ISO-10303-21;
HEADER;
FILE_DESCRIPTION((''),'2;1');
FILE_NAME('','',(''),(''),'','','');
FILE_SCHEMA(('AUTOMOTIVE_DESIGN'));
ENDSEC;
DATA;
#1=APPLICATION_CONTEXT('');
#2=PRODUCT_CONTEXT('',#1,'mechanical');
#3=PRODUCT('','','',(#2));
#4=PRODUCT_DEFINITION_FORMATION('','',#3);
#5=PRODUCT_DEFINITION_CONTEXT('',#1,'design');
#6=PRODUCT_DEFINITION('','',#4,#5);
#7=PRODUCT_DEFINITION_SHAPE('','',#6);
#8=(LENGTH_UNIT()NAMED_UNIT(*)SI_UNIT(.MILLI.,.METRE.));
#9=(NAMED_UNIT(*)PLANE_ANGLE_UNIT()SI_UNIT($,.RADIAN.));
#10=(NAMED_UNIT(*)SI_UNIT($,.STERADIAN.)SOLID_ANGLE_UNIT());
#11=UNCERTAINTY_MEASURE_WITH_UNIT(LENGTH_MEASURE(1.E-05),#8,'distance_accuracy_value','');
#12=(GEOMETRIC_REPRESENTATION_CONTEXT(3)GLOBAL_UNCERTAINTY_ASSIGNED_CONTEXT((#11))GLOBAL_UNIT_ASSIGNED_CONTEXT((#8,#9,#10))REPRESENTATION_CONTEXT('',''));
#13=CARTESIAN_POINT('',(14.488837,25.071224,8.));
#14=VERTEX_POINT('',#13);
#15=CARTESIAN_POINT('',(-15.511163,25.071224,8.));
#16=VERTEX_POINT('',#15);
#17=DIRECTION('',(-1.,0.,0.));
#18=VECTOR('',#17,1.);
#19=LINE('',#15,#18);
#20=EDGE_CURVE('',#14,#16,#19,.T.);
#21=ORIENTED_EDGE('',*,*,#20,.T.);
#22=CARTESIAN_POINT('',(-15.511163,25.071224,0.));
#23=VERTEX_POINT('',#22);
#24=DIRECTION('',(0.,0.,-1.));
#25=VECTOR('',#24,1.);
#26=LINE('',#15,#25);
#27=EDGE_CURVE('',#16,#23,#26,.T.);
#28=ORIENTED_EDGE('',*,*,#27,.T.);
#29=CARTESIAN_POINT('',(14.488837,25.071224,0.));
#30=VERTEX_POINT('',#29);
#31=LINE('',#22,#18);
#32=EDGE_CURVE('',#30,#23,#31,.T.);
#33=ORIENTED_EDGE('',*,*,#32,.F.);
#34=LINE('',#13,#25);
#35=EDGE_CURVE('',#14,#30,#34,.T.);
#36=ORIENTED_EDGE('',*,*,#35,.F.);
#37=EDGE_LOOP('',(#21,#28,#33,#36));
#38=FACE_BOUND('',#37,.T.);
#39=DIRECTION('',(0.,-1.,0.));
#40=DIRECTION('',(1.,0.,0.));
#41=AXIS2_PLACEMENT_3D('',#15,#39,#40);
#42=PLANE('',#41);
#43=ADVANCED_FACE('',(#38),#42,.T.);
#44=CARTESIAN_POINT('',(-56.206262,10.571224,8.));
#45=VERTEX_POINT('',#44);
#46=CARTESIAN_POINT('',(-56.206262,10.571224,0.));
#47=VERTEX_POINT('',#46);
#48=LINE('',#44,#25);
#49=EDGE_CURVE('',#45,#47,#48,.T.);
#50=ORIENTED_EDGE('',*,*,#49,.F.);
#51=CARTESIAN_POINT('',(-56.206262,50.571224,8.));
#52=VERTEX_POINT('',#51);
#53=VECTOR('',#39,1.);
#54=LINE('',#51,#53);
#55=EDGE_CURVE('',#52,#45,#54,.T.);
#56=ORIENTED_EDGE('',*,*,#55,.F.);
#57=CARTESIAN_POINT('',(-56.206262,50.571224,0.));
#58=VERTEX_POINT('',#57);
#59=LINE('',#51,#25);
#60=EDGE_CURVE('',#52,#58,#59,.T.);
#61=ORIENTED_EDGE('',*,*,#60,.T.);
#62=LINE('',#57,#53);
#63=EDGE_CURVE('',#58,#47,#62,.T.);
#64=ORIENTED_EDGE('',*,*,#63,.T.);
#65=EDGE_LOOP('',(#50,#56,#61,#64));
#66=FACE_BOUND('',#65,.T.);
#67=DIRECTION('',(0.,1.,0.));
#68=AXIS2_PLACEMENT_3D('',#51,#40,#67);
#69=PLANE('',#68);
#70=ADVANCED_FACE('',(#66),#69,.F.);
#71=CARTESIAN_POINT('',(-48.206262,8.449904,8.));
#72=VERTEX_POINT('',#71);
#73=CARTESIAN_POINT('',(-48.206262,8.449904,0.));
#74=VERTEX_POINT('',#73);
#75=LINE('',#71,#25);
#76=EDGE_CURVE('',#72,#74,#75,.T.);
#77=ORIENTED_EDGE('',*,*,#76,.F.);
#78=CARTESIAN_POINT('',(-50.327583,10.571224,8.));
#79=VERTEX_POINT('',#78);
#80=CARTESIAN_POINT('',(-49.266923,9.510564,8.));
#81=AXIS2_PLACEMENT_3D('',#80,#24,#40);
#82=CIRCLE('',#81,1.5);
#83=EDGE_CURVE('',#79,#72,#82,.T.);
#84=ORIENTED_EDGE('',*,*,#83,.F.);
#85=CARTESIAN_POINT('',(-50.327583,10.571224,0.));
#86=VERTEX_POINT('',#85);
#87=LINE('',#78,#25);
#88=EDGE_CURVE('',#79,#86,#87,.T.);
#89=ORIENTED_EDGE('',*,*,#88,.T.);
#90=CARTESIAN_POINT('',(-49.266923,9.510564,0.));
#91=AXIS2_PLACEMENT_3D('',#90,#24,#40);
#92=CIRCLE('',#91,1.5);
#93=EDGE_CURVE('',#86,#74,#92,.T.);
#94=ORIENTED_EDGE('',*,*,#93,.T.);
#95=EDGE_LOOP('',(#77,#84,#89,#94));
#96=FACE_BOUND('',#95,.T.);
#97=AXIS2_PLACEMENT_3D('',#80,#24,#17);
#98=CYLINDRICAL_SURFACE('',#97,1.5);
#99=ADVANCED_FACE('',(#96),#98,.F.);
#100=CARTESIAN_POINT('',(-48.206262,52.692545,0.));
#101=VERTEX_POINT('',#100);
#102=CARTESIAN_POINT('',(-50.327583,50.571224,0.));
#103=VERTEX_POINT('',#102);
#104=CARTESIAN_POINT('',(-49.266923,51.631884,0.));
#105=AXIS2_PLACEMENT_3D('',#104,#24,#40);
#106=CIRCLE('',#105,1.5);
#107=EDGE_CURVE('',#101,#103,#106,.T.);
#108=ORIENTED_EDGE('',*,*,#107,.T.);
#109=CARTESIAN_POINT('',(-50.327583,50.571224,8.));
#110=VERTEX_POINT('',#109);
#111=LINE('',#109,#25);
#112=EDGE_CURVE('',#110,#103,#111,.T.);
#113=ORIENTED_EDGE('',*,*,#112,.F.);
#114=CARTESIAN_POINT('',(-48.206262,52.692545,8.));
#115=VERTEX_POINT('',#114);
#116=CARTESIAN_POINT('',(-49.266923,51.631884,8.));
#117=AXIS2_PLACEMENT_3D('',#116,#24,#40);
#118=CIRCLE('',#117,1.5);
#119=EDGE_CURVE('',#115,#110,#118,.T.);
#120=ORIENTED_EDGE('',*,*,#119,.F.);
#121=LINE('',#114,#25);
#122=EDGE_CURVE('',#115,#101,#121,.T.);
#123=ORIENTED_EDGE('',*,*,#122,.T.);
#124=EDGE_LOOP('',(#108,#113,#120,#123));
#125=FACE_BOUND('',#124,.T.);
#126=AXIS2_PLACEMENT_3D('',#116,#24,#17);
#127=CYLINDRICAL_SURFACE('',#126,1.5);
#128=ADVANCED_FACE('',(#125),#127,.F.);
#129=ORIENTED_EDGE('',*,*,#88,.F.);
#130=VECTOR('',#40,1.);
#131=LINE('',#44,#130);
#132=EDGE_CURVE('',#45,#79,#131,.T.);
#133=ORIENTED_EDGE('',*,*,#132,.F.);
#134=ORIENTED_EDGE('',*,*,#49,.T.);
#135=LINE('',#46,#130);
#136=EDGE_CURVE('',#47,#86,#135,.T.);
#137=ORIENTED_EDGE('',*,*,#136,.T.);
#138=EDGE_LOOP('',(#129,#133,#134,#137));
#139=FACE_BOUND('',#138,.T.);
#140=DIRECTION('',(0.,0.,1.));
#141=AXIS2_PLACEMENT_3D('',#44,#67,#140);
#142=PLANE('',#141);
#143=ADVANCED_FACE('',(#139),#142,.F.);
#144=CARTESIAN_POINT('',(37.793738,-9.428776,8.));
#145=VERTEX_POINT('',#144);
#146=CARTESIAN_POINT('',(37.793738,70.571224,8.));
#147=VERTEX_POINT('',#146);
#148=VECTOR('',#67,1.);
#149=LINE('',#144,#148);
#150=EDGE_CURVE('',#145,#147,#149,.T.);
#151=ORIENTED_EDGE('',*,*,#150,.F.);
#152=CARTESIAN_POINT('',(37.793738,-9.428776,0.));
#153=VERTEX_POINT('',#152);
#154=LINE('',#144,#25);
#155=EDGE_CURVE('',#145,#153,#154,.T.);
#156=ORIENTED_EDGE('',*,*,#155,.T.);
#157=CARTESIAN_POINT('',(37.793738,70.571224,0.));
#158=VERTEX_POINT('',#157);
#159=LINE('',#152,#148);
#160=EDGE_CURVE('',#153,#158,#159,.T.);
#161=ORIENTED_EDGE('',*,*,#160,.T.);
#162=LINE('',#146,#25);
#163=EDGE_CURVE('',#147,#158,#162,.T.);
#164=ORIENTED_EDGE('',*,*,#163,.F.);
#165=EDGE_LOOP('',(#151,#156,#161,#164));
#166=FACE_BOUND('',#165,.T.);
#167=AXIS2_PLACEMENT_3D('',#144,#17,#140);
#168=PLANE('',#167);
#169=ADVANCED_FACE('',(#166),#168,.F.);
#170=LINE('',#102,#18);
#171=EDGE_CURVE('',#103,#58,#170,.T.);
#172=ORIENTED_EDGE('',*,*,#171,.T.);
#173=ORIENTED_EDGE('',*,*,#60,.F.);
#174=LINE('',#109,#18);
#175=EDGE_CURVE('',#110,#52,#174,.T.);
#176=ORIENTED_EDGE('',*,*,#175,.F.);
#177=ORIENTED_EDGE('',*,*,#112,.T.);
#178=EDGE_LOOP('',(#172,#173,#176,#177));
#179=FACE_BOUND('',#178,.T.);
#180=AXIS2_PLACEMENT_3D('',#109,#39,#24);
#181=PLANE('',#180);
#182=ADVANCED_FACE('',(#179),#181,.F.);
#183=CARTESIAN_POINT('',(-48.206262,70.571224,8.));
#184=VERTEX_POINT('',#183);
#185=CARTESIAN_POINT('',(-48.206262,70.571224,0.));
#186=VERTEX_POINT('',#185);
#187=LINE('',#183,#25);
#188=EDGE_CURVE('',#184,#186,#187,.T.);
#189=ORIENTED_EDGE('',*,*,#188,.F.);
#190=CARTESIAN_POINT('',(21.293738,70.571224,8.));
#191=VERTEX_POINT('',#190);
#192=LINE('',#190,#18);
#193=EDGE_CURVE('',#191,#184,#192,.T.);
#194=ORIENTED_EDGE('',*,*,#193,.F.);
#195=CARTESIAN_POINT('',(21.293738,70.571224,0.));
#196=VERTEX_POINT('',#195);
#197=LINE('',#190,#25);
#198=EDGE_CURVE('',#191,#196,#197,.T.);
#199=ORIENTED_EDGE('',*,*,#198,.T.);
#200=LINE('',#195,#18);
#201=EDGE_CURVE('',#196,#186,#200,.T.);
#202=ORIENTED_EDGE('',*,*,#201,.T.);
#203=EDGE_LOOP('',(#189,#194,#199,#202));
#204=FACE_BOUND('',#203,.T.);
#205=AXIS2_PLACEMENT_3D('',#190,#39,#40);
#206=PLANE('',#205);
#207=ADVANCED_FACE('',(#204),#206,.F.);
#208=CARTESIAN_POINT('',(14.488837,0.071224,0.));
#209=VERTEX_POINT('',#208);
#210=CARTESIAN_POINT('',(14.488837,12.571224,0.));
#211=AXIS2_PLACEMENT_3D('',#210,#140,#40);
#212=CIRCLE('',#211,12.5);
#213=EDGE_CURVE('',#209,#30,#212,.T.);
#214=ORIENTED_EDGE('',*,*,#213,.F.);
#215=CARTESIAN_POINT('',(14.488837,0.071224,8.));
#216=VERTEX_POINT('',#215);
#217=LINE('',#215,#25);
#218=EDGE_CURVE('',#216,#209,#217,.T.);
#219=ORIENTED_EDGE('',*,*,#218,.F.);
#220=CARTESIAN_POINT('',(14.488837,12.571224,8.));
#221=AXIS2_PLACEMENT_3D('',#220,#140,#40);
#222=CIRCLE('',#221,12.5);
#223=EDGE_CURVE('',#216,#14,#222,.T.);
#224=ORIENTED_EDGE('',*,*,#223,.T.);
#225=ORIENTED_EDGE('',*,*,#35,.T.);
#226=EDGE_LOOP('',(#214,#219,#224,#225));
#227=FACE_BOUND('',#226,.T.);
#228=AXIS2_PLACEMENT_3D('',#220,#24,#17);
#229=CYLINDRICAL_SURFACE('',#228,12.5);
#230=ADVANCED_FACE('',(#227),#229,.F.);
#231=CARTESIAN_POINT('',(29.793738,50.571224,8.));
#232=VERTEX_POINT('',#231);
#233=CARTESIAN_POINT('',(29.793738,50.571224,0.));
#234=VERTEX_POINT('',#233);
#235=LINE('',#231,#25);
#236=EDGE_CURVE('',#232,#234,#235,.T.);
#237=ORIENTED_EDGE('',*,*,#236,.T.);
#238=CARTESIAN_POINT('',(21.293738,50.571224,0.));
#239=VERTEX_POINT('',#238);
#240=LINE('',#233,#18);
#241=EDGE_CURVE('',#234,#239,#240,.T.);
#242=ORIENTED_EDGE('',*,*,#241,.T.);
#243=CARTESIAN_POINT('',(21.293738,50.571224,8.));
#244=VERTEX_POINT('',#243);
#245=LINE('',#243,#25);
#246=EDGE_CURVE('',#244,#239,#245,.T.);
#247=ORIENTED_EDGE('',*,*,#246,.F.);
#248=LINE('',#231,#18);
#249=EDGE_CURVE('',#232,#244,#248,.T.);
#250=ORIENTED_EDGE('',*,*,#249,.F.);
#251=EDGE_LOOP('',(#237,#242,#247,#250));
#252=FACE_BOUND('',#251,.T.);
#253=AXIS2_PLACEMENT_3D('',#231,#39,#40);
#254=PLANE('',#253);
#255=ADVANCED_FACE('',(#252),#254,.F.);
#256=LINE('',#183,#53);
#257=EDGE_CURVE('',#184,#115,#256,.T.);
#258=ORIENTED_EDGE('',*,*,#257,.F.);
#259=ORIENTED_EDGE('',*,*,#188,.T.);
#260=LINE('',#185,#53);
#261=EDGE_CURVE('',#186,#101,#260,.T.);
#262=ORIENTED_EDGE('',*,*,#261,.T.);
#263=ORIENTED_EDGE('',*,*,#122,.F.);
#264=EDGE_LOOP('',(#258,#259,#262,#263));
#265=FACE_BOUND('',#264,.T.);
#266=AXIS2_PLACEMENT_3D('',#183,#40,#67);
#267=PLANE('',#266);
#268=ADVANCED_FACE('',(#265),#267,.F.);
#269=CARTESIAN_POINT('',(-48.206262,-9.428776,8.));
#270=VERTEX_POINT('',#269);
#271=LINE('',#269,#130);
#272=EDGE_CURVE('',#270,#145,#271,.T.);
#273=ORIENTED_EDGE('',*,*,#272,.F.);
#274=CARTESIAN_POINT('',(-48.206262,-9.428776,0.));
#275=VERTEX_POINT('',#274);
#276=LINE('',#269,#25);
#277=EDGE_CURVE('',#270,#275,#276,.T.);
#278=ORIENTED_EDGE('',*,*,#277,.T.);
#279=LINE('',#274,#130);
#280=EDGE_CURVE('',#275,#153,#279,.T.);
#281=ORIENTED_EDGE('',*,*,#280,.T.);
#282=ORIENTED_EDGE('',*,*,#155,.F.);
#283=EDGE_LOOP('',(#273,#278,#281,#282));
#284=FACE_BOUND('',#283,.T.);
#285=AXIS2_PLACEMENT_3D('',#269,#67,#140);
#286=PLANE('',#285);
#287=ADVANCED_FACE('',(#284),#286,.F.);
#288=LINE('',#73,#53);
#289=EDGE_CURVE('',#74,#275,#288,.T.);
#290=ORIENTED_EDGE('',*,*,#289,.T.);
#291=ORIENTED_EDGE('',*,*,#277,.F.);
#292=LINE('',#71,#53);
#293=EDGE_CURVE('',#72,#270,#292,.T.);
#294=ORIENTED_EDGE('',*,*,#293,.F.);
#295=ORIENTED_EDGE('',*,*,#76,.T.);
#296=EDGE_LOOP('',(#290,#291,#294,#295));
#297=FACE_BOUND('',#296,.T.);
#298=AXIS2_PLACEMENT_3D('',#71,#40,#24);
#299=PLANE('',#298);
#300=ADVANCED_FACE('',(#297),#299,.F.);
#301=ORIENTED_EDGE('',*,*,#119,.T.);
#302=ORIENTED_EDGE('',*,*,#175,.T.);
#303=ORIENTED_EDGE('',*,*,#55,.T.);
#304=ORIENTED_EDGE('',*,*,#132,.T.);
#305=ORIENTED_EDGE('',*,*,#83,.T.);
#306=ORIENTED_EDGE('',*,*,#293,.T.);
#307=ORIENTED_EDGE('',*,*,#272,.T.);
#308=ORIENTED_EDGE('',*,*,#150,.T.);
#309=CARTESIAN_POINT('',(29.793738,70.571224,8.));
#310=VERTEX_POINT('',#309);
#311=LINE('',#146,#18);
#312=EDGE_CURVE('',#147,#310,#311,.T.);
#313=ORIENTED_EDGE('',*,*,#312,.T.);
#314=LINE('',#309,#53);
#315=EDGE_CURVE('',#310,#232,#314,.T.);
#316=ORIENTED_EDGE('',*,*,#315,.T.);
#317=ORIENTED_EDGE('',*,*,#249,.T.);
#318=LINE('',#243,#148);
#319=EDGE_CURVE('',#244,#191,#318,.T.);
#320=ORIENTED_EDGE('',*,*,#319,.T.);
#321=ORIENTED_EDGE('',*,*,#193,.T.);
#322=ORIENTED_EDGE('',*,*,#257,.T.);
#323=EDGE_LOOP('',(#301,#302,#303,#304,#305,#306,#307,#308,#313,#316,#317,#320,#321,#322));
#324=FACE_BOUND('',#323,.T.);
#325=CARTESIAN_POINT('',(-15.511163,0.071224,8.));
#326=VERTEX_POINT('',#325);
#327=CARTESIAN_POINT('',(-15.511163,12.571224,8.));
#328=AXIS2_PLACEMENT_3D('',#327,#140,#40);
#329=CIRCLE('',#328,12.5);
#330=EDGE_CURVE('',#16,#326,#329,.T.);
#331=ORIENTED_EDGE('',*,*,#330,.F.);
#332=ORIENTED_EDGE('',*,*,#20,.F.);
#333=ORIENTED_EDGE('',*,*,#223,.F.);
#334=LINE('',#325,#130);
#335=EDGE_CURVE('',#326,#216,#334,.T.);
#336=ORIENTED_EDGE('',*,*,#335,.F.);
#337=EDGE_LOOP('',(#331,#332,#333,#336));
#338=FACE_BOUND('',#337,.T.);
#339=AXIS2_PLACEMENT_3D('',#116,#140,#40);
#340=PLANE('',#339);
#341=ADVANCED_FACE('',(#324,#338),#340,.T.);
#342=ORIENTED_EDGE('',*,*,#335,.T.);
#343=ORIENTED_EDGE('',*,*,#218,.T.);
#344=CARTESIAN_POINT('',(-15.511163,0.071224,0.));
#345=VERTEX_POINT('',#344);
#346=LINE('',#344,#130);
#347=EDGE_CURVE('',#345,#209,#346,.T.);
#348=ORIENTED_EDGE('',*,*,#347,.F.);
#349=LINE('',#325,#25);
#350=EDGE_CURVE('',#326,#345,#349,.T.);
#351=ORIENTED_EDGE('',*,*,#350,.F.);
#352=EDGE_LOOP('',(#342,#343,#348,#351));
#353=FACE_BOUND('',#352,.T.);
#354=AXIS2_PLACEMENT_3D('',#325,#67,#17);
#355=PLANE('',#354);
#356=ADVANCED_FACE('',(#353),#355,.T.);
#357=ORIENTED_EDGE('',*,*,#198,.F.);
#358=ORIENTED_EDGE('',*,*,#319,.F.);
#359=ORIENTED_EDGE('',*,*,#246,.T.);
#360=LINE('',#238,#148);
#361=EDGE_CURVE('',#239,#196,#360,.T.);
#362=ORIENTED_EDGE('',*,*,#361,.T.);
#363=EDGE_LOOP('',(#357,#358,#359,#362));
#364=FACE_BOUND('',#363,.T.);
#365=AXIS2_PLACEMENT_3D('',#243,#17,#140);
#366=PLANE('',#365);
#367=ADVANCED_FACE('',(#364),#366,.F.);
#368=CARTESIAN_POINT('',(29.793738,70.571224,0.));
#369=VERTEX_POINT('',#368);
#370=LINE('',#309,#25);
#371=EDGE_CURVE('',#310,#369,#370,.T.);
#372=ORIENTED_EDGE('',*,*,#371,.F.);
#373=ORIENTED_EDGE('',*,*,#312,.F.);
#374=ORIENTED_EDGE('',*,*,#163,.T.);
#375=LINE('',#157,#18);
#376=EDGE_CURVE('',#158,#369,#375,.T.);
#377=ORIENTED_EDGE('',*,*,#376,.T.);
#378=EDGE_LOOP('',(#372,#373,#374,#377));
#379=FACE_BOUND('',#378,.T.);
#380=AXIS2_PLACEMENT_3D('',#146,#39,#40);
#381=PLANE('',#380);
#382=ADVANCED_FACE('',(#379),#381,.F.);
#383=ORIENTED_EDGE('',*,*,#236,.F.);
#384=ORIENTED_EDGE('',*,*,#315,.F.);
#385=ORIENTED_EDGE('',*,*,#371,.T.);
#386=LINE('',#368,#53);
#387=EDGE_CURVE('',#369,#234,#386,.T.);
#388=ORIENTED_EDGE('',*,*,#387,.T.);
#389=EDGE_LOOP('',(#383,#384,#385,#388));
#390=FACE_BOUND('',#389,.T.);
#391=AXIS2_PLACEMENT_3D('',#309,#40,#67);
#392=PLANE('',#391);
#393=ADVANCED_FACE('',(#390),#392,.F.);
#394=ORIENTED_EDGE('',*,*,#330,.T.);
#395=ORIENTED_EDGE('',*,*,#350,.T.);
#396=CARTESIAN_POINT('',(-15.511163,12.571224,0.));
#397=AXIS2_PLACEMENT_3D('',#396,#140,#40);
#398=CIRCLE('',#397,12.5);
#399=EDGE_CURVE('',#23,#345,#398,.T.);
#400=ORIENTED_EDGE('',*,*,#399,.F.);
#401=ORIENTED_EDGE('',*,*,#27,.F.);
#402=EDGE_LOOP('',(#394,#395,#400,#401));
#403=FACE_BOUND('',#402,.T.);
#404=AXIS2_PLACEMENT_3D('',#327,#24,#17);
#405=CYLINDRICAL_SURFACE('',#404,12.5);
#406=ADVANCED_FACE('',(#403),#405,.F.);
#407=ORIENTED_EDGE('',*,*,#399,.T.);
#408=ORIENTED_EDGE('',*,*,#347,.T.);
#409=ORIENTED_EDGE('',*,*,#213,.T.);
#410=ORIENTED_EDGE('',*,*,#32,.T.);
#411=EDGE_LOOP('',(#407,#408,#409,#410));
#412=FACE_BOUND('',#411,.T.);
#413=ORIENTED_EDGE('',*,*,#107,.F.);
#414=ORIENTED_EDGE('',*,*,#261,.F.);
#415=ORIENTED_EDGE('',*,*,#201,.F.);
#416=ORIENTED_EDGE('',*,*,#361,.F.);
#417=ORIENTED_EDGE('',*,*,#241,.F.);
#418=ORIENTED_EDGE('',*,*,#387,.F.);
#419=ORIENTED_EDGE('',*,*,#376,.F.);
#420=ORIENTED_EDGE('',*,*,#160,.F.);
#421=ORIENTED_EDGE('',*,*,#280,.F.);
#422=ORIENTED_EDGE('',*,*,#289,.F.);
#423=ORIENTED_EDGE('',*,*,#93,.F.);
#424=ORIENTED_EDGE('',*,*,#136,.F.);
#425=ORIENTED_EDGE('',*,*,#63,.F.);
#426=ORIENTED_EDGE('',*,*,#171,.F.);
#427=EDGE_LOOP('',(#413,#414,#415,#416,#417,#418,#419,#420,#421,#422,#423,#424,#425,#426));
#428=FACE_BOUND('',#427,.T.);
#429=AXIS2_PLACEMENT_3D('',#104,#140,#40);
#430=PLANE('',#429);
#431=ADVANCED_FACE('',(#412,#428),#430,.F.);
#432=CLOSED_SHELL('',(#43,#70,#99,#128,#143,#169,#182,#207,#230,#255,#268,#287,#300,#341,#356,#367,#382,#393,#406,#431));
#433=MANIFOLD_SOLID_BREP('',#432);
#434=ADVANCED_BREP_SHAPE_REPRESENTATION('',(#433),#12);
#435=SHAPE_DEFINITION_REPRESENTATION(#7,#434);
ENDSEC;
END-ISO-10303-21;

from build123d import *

# Parameters (mm, degrees)
BOSS_EXTRU_1_DEPTH = 8


with BuildPart() as part:
    # Esquisse1 → Boss.-Extru.1 (new body)
    with BuildSketch(Plane.XY):
        with BuildLine():
            Line((-48.206262386, 70.57122428), (-48.206262386, 52.692544623))
            ThreePointArc((-48.206262386, 52.692544623), (-48.206262386, 50.57122428), (-50.327582729, 50.57122428))
            Line((-50.327582729, 50.57122428), (-56.206262386, 50.57122428))
            Line((-56.206262386, 50.57122428), (-56.206262386, 10.57122428))
            Line((-56.206262386, 10.57122428), (-50.327582729, 10.57122428))
            ThreePointArc((-50.327582729, 10.57122428), (-48.206262386, 10.57122428), (-48.206262386, 8.449903936))
            Line((-48.206262386, 8.449903936), (-48.206262386, -9.42877572))
            Line((-48.206262386, -9.42877572), (37.793737614, -9.42877572))
            Line((37.793737614, -9.42877572), (37.793737614, 70.57122428))
            Line((37.793737614, 70.57122428), (29.793737614, 70.57122428))
            Line((29.793737614, 70.57122428), (29.793737614, 50.57122428))
            Line((29.793737614, 50.57122428), (21.293737614, 50.57122428))
            Line((21.293737614, 50.57122428), (21.293737614, 70.57122428))
            Line((21.293737614, 70.57122428), (-48.206262386, 70.57122428))
        make_face()
        with BuildLine():
            Line((-15.511163156, 25.07122428), (14.488836844, 25.07122428))
            ThreePointArc((14.488836844, 25.07122428), (26.988836844, 12.57122428), (14.488836844, 0.07122428))
            Line((14.488836844, 0.07122428), (-15.511163156, 0.07122428))
            ThreePointArc((-15.511163156, 0.07122428), (-28.011163156, 12.57122428), (-15.511163156, 25.07122428))
        make_face(mode=Mode.SUBTRACT)
    extrude(amount=BOSS_EXTRU_1_DEPTH)


solid = part.part
